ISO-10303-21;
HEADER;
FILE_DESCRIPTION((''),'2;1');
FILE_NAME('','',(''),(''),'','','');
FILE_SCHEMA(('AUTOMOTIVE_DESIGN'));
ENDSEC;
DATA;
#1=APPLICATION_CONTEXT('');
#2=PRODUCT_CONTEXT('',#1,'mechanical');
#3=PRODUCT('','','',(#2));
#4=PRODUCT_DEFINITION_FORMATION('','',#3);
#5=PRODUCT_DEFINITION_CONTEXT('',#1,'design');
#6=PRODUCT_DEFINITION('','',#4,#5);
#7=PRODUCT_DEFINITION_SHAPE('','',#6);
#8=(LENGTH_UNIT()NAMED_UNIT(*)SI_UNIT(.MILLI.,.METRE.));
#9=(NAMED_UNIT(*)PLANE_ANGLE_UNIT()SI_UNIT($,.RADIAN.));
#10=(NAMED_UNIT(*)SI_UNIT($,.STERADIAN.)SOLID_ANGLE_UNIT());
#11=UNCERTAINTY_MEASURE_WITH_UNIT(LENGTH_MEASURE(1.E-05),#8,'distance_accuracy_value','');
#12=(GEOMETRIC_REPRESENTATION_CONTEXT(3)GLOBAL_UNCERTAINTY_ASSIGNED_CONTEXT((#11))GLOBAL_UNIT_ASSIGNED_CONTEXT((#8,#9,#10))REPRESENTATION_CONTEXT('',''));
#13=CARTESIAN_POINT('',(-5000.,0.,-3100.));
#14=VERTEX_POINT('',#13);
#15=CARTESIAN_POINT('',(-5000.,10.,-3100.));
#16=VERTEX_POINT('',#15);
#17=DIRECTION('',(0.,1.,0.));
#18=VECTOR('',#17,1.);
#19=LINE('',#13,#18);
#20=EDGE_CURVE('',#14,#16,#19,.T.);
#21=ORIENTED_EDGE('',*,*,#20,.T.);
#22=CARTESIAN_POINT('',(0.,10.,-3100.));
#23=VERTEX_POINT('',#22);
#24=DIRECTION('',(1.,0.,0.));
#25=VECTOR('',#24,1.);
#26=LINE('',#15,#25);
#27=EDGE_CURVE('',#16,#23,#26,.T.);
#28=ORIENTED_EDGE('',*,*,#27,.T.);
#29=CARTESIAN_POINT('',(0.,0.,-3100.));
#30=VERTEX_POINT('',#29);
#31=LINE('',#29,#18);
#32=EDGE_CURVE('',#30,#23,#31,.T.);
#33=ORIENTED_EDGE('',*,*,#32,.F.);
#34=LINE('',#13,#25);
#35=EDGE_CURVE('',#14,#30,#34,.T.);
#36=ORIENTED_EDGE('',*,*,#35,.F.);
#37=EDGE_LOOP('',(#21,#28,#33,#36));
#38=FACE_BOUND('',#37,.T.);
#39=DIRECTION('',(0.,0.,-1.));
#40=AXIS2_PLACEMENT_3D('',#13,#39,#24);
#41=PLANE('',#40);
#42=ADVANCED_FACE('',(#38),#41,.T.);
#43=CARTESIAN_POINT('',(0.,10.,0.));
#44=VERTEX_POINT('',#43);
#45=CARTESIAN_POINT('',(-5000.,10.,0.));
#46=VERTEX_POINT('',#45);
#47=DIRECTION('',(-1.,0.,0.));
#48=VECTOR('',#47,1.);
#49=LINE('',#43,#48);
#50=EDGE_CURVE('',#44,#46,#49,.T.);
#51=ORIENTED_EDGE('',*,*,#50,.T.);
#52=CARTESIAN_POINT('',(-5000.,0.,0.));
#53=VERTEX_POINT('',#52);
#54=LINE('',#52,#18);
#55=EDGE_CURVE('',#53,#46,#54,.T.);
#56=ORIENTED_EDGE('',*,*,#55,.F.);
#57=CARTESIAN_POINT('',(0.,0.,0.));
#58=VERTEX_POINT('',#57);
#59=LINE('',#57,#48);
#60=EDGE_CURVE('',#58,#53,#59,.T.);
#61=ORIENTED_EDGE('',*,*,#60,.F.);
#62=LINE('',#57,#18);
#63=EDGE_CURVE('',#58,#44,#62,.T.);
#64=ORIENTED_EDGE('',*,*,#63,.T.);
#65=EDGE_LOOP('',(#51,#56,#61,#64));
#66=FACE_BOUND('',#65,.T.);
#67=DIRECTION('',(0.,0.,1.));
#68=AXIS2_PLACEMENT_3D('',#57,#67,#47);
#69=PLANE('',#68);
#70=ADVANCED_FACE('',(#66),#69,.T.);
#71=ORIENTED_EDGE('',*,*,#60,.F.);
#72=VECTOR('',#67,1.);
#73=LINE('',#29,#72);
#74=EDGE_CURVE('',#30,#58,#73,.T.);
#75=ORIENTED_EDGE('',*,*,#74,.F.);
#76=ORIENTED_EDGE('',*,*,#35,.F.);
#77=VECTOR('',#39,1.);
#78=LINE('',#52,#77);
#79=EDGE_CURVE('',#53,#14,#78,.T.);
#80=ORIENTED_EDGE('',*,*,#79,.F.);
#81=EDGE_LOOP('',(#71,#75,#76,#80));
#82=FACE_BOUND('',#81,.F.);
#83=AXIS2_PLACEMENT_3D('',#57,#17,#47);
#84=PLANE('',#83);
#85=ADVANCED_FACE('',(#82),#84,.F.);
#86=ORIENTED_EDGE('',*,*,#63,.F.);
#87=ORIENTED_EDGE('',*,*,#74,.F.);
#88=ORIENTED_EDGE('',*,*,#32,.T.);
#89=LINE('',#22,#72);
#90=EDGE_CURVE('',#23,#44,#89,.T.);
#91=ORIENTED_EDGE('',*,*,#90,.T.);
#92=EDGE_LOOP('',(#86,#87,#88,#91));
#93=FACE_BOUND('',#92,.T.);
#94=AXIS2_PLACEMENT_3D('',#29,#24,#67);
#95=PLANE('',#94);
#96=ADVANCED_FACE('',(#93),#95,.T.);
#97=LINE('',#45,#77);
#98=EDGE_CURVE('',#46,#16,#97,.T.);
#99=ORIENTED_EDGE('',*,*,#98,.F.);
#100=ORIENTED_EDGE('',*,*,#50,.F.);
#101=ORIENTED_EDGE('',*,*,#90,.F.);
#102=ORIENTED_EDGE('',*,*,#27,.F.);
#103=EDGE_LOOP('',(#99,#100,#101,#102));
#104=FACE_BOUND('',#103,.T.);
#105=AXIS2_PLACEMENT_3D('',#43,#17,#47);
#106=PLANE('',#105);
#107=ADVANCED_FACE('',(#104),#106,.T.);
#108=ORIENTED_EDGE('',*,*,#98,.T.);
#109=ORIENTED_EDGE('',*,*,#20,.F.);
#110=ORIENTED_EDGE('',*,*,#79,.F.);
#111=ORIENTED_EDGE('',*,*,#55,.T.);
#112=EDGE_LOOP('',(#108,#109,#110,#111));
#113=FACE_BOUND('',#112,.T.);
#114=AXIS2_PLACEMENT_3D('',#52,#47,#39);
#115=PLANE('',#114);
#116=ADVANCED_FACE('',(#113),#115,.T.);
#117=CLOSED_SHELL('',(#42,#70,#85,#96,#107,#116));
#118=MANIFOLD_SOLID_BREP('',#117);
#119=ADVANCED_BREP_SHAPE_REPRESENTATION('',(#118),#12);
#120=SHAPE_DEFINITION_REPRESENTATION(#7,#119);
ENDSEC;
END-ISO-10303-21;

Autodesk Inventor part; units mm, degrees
ref_plane "YZ Plane" through (0, 0, 0) normal (1, 0, 0) x (0, 1, 0)
ref_plane "XZ Plane" through (0, 0, 0) normal (0, 1, 0) x (-1, 0, 0)
ref_plane "XY Plane" through (0, 0, 0) normal (0, 0, 1) x (1, 0, 0)
sketch "Sketch1" plane through (0, 0, 0) normal (0, 1, 0) x (-1, 0, 0)
  line L0 (0, 0) -> (5000, 0)
  line L1 (5000, 0) -> (5000, -3100)
  line L2 (5000, -3100) -> (0, -3100)
  line L3 (0, -3100) -> (0, 0)
  dimension "d0" = 5000
  dimension "d1" = 3100
extrude "Extrusion1" add sketch "Sketch1" along normal blind 10
properties part number "coffeeWindowSide" material "Glass"
